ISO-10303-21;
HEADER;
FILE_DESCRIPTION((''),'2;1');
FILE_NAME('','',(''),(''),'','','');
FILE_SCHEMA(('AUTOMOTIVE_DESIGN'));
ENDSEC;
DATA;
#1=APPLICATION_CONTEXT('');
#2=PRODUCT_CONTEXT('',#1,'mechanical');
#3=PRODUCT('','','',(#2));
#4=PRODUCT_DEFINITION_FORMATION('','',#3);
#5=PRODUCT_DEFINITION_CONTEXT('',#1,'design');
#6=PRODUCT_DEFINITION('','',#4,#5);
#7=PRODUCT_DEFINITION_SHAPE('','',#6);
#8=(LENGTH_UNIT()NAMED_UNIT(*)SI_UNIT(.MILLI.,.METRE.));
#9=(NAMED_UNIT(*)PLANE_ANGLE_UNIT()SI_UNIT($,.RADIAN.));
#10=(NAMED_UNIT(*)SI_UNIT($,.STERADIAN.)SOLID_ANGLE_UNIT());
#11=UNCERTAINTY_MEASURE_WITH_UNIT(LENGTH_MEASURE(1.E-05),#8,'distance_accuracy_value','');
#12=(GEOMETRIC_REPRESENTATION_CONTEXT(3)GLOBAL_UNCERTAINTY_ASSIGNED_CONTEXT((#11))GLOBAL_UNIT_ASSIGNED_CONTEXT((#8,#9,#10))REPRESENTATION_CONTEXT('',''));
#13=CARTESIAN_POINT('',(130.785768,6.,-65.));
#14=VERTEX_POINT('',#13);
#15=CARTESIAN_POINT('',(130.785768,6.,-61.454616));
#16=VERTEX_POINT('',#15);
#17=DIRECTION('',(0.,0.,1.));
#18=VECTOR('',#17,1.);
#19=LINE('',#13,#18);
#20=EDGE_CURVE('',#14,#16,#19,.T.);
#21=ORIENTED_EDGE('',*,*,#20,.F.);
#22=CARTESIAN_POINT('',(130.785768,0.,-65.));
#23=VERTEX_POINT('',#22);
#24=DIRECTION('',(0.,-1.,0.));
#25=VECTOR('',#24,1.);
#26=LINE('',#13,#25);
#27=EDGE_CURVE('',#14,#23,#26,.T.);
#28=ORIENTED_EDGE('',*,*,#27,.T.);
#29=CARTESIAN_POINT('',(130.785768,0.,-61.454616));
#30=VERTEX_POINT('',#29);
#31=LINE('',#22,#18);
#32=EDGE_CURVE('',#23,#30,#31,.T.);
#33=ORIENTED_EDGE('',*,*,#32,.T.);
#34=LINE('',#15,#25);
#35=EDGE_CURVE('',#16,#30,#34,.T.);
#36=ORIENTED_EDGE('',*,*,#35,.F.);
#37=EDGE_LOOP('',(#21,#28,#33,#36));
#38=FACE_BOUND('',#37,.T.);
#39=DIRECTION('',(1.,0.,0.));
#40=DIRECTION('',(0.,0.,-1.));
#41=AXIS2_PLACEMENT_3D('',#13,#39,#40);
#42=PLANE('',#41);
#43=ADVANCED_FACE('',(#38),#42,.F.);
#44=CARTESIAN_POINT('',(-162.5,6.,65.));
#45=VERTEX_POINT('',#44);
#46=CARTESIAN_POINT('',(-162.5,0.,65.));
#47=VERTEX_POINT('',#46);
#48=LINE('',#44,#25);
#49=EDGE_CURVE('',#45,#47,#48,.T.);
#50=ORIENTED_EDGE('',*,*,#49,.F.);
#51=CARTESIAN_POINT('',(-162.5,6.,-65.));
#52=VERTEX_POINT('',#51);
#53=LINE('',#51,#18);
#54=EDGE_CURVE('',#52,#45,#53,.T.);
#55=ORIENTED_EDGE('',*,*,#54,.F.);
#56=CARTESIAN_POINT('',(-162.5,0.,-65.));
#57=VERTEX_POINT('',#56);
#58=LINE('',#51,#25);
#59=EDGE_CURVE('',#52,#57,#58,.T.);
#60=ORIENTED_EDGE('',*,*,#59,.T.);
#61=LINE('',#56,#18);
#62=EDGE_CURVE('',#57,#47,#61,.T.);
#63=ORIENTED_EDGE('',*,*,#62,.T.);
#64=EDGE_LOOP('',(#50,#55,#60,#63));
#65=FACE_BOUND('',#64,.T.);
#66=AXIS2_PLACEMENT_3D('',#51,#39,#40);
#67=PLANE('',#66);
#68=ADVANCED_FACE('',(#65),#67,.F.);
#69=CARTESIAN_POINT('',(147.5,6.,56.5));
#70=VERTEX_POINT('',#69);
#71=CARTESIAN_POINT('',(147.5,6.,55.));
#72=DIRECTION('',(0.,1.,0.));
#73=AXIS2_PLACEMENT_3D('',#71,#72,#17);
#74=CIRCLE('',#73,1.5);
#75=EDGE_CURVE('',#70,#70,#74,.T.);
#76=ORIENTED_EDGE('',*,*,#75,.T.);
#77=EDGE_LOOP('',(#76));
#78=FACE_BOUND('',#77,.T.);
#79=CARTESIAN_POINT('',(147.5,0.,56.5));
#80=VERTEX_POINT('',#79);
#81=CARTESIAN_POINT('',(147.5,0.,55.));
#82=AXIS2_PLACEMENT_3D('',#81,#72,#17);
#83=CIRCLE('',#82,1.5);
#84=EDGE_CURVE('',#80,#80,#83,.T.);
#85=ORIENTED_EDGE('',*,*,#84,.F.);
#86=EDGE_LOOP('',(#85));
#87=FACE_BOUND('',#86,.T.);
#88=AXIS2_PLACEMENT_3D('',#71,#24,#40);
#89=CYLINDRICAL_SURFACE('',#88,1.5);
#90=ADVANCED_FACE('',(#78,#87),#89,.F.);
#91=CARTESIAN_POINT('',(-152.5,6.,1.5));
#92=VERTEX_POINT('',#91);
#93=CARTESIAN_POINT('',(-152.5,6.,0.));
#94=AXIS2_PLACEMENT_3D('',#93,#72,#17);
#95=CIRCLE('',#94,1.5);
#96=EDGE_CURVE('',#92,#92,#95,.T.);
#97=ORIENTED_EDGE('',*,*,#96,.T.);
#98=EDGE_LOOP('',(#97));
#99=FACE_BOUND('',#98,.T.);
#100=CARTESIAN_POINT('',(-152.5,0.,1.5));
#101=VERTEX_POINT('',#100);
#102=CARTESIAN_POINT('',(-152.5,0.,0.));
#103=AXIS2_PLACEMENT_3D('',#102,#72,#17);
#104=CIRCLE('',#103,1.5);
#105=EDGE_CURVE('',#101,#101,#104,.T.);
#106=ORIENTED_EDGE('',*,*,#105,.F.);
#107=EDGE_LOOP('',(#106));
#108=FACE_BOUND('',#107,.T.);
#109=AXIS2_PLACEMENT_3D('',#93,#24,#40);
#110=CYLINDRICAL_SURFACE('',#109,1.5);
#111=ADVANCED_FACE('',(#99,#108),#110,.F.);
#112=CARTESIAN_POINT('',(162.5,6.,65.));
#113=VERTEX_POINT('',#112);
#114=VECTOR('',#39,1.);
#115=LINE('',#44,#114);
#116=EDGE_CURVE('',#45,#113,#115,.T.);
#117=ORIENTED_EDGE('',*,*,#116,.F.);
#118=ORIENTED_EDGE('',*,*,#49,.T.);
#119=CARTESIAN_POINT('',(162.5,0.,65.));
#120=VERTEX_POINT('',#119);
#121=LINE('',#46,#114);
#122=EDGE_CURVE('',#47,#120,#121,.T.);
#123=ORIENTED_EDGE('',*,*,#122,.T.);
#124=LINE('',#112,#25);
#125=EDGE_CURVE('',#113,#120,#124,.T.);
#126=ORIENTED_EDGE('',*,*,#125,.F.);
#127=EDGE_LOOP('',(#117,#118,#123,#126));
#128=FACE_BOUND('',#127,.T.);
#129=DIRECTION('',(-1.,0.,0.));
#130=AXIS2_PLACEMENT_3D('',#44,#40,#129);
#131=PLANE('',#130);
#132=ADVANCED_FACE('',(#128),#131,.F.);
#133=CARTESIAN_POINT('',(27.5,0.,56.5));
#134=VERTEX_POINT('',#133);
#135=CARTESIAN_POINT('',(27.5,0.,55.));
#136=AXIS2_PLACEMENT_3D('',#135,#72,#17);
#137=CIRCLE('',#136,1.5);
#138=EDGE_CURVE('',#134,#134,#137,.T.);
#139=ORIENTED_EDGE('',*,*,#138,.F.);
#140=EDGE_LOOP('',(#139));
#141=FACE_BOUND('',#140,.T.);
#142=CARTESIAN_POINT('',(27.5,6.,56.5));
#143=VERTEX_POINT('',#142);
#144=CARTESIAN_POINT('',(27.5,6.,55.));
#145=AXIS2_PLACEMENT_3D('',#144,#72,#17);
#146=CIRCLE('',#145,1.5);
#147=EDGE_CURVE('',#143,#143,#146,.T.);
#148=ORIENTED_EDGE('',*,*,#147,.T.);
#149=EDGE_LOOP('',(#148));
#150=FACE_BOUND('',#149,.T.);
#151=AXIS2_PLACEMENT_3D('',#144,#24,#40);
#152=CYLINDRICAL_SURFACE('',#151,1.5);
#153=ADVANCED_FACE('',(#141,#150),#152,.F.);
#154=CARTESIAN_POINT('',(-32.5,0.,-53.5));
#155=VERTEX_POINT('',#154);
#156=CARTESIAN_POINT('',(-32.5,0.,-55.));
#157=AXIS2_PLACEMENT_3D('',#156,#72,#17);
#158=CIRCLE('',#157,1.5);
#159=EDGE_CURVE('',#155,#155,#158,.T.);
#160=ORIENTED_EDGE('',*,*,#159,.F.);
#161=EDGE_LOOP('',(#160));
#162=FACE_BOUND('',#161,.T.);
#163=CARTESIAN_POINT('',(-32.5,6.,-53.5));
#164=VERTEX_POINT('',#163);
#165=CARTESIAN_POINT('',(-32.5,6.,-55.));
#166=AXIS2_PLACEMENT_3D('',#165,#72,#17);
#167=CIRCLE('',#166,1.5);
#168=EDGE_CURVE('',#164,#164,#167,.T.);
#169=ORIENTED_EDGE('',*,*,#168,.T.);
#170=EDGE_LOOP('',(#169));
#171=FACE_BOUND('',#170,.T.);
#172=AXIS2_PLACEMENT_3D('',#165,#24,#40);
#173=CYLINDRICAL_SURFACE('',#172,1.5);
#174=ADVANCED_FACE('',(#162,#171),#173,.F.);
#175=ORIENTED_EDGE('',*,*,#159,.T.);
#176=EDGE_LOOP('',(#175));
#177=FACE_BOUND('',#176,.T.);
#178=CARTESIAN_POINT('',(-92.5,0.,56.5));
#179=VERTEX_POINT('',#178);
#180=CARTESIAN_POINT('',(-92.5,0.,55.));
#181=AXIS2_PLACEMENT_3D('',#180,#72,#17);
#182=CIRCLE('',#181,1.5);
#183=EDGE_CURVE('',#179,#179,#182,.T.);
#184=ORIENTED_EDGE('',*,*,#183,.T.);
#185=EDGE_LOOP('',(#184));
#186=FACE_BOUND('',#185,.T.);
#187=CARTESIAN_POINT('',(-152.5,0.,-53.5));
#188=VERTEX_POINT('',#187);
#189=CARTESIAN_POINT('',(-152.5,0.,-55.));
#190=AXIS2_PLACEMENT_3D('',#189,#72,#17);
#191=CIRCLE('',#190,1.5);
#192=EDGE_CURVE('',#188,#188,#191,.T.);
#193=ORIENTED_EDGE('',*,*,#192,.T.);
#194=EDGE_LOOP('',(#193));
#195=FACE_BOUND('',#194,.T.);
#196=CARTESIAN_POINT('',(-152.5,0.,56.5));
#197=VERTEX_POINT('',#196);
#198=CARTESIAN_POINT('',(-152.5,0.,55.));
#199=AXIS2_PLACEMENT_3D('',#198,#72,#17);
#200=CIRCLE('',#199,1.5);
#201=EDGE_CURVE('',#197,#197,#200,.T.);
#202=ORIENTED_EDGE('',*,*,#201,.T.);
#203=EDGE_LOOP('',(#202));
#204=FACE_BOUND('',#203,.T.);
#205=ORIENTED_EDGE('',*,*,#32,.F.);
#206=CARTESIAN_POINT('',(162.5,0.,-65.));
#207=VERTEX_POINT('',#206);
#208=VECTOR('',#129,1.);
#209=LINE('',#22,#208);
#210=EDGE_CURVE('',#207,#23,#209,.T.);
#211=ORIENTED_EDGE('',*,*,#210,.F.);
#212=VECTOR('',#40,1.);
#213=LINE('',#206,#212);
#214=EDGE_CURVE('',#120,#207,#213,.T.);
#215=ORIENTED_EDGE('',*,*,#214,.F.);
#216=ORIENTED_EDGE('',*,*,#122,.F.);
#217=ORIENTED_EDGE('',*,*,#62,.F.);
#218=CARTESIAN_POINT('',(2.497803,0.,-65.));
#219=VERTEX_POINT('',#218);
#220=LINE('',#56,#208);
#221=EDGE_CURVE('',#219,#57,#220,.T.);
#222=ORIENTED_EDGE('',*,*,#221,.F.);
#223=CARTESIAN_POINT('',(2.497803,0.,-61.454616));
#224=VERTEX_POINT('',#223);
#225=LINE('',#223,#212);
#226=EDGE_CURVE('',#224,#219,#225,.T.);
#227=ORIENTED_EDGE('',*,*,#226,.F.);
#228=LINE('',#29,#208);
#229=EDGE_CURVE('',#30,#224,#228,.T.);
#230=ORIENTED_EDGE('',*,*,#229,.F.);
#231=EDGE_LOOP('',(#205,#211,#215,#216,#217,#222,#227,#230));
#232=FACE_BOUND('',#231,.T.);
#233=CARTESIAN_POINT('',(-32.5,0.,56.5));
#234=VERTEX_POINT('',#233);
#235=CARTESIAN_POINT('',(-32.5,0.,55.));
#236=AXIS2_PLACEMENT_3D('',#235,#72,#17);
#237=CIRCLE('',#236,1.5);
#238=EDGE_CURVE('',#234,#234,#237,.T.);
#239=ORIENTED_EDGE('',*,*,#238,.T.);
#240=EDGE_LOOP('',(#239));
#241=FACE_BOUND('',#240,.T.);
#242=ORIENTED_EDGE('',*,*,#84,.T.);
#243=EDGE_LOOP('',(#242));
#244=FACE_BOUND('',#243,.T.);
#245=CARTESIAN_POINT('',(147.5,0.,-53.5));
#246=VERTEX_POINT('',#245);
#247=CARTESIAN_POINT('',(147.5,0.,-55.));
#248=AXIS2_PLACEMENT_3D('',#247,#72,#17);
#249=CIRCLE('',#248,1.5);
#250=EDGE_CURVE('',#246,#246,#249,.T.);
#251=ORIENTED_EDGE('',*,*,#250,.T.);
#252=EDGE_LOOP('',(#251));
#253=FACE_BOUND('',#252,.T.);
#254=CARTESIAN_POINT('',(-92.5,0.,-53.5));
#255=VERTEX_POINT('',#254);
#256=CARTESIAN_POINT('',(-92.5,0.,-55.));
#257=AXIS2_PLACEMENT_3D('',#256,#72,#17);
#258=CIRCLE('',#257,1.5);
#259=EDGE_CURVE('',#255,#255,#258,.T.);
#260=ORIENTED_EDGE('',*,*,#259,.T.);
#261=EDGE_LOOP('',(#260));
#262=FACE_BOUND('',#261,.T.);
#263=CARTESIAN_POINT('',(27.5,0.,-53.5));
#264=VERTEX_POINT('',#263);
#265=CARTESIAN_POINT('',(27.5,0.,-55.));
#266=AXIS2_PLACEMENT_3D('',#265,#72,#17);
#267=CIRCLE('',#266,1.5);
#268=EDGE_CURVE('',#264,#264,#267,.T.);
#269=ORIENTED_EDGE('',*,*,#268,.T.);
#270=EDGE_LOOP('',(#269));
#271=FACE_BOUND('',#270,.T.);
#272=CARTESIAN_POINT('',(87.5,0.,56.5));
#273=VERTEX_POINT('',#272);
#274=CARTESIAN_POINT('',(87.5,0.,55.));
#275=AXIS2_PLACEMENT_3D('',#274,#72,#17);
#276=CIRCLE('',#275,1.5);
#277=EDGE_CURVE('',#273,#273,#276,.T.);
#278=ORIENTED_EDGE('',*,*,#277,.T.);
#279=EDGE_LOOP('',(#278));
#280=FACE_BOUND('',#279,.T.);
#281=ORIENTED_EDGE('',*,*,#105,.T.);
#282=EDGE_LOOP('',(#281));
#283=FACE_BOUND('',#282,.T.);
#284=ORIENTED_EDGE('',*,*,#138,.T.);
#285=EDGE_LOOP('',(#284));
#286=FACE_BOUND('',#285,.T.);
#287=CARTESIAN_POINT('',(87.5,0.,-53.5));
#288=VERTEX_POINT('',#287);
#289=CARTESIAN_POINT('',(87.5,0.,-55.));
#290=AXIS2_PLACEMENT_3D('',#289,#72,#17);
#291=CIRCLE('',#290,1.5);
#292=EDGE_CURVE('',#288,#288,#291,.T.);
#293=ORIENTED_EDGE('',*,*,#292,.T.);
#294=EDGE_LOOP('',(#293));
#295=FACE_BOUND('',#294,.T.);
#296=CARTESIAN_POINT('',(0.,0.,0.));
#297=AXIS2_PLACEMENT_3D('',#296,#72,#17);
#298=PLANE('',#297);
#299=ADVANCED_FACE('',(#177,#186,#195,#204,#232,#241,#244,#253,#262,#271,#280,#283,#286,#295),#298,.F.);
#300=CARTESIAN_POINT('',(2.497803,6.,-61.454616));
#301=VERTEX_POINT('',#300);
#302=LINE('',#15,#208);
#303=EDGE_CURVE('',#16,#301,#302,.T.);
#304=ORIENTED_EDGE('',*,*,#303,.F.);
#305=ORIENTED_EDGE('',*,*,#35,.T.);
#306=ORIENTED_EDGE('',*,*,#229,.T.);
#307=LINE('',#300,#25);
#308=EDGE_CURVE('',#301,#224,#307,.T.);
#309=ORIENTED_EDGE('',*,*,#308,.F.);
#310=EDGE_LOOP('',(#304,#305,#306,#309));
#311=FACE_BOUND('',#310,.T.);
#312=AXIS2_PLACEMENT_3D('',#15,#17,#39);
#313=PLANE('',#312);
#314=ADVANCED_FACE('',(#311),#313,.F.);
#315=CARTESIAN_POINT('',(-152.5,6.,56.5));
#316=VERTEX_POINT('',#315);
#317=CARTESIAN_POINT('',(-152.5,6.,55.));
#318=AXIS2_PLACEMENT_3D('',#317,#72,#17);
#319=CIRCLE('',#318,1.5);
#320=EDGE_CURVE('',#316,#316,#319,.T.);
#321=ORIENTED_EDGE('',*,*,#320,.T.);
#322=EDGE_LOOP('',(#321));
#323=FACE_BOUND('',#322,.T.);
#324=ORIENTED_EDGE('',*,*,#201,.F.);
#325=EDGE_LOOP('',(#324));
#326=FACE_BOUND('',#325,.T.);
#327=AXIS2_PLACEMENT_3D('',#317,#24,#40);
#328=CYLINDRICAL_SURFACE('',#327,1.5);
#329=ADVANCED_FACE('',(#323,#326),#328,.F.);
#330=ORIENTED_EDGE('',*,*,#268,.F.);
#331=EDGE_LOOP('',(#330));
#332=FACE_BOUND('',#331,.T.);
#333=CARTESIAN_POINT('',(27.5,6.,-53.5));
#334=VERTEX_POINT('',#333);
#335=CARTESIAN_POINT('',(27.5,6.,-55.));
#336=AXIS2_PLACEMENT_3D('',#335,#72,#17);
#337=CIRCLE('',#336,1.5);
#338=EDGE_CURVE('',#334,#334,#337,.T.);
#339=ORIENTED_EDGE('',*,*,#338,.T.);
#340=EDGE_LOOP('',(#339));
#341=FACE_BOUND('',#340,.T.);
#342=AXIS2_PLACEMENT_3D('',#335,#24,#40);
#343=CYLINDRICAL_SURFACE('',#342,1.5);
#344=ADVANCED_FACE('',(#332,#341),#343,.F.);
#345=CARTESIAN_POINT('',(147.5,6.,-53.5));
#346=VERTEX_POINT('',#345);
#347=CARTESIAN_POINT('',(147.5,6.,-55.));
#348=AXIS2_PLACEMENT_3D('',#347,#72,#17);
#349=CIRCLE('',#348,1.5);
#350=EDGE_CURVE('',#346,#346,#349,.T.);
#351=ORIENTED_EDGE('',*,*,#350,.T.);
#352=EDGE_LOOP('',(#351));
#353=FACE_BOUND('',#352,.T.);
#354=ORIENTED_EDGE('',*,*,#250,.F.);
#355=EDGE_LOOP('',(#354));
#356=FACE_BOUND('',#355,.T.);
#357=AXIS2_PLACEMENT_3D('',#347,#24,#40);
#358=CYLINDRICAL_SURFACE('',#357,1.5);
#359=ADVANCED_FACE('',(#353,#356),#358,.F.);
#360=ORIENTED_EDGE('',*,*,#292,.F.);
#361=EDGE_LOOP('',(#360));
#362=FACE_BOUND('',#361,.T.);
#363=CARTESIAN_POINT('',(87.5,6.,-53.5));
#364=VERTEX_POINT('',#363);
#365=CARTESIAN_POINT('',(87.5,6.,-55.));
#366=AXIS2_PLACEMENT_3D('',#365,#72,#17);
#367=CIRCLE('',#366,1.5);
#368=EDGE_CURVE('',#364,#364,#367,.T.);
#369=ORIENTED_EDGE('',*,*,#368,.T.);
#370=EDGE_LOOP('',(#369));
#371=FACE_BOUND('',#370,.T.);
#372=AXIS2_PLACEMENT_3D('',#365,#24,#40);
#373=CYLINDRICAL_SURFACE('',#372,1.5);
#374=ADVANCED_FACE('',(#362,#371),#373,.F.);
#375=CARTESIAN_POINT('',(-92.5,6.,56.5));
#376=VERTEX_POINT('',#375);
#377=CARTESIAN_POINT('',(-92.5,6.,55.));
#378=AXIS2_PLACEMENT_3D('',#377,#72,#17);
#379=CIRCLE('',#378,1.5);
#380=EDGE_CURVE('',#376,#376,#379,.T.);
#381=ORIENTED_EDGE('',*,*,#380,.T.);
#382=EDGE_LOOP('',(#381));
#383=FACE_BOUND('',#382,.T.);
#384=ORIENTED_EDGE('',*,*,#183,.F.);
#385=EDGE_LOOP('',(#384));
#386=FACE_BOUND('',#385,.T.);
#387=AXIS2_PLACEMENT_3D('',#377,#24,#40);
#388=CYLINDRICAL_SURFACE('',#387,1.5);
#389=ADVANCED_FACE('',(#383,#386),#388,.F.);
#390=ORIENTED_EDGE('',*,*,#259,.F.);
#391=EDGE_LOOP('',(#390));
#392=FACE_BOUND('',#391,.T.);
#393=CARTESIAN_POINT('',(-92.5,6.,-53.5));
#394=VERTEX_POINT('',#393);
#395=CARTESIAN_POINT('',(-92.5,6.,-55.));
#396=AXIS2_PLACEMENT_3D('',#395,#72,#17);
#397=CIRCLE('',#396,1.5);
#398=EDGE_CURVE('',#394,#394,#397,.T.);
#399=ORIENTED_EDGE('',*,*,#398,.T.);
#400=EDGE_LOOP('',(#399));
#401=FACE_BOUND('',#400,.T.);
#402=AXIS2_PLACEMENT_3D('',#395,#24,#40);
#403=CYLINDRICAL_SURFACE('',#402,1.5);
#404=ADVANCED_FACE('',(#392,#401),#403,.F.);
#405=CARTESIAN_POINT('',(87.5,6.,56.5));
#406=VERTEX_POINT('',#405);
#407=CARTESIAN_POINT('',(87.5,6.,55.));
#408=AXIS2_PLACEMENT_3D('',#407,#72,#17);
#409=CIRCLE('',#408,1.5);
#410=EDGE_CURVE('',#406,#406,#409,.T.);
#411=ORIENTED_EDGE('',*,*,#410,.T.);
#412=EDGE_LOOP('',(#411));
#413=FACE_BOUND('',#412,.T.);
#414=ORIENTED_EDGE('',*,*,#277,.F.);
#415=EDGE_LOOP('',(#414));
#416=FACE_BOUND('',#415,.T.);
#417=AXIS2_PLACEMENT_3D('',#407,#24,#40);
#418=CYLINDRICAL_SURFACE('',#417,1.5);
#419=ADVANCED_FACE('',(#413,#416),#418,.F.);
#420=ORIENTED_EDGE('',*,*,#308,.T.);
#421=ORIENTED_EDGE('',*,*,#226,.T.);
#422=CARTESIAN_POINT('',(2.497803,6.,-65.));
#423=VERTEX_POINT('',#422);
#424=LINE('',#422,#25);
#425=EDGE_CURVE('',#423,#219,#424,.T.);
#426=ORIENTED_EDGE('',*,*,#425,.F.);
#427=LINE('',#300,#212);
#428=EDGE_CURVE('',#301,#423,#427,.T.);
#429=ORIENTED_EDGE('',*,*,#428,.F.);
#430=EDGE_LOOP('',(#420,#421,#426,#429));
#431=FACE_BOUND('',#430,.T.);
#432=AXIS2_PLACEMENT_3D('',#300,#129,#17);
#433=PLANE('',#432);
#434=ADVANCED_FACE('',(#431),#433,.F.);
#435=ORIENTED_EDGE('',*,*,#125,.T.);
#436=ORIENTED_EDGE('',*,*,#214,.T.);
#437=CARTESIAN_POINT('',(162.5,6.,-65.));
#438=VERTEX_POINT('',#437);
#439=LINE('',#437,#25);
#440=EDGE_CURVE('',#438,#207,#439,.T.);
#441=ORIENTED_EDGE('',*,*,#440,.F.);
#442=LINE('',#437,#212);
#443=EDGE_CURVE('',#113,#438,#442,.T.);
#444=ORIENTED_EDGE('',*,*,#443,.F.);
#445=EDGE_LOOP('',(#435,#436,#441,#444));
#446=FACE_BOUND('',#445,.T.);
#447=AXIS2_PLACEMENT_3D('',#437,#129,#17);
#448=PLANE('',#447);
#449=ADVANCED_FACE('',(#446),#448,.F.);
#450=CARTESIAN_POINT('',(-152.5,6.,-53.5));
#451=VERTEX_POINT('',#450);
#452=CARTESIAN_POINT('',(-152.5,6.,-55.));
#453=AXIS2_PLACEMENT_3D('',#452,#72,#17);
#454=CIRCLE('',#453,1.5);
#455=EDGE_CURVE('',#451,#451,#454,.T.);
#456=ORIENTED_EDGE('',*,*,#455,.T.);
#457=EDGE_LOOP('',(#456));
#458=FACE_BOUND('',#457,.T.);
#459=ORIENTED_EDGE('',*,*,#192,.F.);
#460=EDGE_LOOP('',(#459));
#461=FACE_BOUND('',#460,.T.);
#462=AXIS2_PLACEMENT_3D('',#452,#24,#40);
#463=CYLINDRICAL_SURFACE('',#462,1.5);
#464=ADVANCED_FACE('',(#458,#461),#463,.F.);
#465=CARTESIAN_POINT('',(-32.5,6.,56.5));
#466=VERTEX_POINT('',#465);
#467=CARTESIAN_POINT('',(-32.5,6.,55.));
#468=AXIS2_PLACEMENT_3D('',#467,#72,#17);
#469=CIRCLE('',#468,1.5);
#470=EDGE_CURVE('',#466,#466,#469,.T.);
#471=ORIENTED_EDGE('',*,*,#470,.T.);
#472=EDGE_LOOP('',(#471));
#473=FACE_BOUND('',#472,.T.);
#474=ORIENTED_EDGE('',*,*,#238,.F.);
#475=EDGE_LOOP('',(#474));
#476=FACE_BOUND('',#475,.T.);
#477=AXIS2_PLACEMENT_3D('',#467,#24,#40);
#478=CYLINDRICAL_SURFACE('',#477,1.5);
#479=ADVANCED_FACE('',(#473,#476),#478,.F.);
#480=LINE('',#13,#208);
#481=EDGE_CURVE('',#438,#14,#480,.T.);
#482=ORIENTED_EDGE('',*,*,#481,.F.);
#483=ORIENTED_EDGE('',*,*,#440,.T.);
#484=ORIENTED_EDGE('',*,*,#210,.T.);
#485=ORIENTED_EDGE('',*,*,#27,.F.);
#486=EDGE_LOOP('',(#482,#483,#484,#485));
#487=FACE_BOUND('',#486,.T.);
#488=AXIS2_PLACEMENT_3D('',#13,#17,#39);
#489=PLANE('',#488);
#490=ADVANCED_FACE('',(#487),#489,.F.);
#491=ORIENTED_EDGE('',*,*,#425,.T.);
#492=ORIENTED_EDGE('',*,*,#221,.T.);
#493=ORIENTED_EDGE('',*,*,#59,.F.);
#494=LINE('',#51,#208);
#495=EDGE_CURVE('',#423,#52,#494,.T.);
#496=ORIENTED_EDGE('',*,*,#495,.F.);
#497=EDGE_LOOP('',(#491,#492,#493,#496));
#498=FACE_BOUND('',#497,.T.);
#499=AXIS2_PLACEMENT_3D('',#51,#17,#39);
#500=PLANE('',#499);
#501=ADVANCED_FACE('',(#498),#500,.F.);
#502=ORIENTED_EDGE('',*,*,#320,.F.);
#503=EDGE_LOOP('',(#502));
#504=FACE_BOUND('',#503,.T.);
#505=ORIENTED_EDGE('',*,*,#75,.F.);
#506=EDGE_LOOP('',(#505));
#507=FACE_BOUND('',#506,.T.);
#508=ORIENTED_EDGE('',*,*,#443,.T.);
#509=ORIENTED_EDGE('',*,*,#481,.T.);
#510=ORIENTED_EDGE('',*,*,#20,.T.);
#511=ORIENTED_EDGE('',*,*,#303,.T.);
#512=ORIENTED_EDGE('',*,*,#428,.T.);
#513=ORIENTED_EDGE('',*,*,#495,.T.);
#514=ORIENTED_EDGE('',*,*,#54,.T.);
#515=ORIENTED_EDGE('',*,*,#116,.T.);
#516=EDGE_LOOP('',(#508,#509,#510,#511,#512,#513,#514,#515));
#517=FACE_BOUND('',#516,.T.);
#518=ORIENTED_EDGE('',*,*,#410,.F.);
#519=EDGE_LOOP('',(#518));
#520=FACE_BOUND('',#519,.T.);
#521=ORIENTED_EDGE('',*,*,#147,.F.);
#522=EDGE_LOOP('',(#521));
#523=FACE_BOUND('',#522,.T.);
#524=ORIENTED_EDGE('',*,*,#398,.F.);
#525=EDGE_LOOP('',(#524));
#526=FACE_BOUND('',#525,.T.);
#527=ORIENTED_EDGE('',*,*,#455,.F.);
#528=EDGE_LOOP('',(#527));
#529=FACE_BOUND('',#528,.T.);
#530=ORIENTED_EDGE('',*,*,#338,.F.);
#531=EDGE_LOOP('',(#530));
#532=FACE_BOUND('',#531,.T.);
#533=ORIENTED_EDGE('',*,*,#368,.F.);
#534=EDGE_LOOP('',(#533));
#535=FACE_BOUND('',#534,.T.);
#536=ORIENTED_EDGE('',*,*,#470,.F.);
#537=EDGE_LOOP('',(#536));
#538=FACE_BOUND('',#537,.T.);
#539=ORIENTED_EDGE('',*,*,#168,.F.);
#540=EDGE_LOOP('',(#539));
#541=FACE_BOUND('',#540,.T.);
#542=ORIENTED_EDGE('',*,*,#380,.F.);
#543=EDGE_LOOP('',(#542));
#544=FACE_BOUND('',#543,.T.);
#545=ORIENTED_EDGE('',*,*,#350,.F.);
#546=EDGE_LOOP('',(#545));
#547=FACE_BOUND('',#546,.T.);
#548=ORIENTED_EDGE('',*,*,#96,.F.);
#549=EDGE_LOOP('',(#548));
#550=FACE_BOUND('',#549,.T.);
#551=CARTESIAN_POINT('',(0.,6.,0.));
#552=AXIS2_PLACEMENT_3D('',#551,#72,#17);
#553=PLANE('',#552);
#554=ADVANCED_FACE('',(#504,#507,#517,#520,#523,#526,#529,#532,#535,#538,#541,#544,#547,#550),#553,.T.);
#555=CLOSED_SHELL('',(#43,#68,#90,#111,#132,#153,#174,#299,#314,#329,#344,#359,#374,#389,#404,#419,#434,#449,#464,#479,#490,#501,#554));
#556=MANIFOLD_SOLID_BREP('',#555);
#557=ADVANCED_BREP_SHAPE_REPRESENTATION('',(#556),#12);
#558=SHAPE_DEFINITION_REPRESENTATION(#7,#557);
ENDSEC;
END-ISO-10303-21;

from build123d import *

# Parameters (mm, degrees)
SKETCH_1_R      = 1.5
EXTRUDE_1_DEPTH = 6


with BuildPart() as part:
    # 草图1 → 凸台-拉伸1 (new body)
    with BuildSketch(Plane(origin=(0, 0, 0), x_dir=(1, 0, 0), z_dir=(0, 1, 0))):
        Polygon((-162.5, 65), (2.497803149, 65), (2.497803149, 61.454616174), (130.785768407, 61.454616174), (130.785768407, 65), (162.5, 65), (162.5, -65), (-162.5, -65), align=None)
        with Locations(Location((-152.5, 55, 0), (0, 0, 270))):
            Circle(SKETCH_1_R, mode=Mode.SUBTRACT)
        with Locations(Location((-152.5, -55, 0), (0, 0, 270))):
            Circle(SKETCH_1_R, mode=Mode.SUBTRACT)
        with Locations(Location((-92.5, 55, 0), (0, 0, 270))):
            Circle(SKETCH_1_R, mode=Mode.SUBTRACT)
        with Locations(Location((-32.5, 55, 0), (0, 0, 270))):
            Circle(SKETCH_1_R, mode=Mode.SUBTRACT)
        with Locations(Location((27.5, 55, 0), (0, 0, 270))):
            Circle(SKETCH_1_R, mode=Mode.SUBTRACT)
        with Locations(Location((87.5, 55, 0), (0, 0, 270))):
            Circle(SKETCH_1_R, mode=Mode.SUBTRACT)
        with Locations(Location((147.5, 55, 0), (0, 0, 270))):
            Circle(SKETCH_1_R, mode=Mode.SUBTRACT)
        with Locations(Location((-92.5, -55, 0), (0, 0, 270))):
            Circle(SKETCH_1_R, mode=Mode.SUBTRACT)
        with Locations(Location((-32.5, -55, 0), (0, 0, 270))):
            Circle(SKETCH_1_R, mode=Mode.SUBTRACT)
        with Locations(Location((27.5, -55, 0), (0, 0, 270))):
            Circle(SKETCH_1_R, mode=Mode.SUBTRACT)
        with Locations(Location((87.5, -55, 0), (0, 0, 270))):
            Circle(SKETCH_1_R, mode=Mode.SUBTRACT)
        with Locations(Location((147.5, -55, 0), (0, 0, 270))):
            Circle(SKETCH_1_R, mode=Mode.SUBTRACT)
        with Locations(Location((-152.5, 0, 0), (0, 0, 270))):
            Circle(SKETCH_1_R, mode=Mode.SUBTRACT)
    extrude(amount=EXTRUDE_1_DEPTH)


solid = part.part
